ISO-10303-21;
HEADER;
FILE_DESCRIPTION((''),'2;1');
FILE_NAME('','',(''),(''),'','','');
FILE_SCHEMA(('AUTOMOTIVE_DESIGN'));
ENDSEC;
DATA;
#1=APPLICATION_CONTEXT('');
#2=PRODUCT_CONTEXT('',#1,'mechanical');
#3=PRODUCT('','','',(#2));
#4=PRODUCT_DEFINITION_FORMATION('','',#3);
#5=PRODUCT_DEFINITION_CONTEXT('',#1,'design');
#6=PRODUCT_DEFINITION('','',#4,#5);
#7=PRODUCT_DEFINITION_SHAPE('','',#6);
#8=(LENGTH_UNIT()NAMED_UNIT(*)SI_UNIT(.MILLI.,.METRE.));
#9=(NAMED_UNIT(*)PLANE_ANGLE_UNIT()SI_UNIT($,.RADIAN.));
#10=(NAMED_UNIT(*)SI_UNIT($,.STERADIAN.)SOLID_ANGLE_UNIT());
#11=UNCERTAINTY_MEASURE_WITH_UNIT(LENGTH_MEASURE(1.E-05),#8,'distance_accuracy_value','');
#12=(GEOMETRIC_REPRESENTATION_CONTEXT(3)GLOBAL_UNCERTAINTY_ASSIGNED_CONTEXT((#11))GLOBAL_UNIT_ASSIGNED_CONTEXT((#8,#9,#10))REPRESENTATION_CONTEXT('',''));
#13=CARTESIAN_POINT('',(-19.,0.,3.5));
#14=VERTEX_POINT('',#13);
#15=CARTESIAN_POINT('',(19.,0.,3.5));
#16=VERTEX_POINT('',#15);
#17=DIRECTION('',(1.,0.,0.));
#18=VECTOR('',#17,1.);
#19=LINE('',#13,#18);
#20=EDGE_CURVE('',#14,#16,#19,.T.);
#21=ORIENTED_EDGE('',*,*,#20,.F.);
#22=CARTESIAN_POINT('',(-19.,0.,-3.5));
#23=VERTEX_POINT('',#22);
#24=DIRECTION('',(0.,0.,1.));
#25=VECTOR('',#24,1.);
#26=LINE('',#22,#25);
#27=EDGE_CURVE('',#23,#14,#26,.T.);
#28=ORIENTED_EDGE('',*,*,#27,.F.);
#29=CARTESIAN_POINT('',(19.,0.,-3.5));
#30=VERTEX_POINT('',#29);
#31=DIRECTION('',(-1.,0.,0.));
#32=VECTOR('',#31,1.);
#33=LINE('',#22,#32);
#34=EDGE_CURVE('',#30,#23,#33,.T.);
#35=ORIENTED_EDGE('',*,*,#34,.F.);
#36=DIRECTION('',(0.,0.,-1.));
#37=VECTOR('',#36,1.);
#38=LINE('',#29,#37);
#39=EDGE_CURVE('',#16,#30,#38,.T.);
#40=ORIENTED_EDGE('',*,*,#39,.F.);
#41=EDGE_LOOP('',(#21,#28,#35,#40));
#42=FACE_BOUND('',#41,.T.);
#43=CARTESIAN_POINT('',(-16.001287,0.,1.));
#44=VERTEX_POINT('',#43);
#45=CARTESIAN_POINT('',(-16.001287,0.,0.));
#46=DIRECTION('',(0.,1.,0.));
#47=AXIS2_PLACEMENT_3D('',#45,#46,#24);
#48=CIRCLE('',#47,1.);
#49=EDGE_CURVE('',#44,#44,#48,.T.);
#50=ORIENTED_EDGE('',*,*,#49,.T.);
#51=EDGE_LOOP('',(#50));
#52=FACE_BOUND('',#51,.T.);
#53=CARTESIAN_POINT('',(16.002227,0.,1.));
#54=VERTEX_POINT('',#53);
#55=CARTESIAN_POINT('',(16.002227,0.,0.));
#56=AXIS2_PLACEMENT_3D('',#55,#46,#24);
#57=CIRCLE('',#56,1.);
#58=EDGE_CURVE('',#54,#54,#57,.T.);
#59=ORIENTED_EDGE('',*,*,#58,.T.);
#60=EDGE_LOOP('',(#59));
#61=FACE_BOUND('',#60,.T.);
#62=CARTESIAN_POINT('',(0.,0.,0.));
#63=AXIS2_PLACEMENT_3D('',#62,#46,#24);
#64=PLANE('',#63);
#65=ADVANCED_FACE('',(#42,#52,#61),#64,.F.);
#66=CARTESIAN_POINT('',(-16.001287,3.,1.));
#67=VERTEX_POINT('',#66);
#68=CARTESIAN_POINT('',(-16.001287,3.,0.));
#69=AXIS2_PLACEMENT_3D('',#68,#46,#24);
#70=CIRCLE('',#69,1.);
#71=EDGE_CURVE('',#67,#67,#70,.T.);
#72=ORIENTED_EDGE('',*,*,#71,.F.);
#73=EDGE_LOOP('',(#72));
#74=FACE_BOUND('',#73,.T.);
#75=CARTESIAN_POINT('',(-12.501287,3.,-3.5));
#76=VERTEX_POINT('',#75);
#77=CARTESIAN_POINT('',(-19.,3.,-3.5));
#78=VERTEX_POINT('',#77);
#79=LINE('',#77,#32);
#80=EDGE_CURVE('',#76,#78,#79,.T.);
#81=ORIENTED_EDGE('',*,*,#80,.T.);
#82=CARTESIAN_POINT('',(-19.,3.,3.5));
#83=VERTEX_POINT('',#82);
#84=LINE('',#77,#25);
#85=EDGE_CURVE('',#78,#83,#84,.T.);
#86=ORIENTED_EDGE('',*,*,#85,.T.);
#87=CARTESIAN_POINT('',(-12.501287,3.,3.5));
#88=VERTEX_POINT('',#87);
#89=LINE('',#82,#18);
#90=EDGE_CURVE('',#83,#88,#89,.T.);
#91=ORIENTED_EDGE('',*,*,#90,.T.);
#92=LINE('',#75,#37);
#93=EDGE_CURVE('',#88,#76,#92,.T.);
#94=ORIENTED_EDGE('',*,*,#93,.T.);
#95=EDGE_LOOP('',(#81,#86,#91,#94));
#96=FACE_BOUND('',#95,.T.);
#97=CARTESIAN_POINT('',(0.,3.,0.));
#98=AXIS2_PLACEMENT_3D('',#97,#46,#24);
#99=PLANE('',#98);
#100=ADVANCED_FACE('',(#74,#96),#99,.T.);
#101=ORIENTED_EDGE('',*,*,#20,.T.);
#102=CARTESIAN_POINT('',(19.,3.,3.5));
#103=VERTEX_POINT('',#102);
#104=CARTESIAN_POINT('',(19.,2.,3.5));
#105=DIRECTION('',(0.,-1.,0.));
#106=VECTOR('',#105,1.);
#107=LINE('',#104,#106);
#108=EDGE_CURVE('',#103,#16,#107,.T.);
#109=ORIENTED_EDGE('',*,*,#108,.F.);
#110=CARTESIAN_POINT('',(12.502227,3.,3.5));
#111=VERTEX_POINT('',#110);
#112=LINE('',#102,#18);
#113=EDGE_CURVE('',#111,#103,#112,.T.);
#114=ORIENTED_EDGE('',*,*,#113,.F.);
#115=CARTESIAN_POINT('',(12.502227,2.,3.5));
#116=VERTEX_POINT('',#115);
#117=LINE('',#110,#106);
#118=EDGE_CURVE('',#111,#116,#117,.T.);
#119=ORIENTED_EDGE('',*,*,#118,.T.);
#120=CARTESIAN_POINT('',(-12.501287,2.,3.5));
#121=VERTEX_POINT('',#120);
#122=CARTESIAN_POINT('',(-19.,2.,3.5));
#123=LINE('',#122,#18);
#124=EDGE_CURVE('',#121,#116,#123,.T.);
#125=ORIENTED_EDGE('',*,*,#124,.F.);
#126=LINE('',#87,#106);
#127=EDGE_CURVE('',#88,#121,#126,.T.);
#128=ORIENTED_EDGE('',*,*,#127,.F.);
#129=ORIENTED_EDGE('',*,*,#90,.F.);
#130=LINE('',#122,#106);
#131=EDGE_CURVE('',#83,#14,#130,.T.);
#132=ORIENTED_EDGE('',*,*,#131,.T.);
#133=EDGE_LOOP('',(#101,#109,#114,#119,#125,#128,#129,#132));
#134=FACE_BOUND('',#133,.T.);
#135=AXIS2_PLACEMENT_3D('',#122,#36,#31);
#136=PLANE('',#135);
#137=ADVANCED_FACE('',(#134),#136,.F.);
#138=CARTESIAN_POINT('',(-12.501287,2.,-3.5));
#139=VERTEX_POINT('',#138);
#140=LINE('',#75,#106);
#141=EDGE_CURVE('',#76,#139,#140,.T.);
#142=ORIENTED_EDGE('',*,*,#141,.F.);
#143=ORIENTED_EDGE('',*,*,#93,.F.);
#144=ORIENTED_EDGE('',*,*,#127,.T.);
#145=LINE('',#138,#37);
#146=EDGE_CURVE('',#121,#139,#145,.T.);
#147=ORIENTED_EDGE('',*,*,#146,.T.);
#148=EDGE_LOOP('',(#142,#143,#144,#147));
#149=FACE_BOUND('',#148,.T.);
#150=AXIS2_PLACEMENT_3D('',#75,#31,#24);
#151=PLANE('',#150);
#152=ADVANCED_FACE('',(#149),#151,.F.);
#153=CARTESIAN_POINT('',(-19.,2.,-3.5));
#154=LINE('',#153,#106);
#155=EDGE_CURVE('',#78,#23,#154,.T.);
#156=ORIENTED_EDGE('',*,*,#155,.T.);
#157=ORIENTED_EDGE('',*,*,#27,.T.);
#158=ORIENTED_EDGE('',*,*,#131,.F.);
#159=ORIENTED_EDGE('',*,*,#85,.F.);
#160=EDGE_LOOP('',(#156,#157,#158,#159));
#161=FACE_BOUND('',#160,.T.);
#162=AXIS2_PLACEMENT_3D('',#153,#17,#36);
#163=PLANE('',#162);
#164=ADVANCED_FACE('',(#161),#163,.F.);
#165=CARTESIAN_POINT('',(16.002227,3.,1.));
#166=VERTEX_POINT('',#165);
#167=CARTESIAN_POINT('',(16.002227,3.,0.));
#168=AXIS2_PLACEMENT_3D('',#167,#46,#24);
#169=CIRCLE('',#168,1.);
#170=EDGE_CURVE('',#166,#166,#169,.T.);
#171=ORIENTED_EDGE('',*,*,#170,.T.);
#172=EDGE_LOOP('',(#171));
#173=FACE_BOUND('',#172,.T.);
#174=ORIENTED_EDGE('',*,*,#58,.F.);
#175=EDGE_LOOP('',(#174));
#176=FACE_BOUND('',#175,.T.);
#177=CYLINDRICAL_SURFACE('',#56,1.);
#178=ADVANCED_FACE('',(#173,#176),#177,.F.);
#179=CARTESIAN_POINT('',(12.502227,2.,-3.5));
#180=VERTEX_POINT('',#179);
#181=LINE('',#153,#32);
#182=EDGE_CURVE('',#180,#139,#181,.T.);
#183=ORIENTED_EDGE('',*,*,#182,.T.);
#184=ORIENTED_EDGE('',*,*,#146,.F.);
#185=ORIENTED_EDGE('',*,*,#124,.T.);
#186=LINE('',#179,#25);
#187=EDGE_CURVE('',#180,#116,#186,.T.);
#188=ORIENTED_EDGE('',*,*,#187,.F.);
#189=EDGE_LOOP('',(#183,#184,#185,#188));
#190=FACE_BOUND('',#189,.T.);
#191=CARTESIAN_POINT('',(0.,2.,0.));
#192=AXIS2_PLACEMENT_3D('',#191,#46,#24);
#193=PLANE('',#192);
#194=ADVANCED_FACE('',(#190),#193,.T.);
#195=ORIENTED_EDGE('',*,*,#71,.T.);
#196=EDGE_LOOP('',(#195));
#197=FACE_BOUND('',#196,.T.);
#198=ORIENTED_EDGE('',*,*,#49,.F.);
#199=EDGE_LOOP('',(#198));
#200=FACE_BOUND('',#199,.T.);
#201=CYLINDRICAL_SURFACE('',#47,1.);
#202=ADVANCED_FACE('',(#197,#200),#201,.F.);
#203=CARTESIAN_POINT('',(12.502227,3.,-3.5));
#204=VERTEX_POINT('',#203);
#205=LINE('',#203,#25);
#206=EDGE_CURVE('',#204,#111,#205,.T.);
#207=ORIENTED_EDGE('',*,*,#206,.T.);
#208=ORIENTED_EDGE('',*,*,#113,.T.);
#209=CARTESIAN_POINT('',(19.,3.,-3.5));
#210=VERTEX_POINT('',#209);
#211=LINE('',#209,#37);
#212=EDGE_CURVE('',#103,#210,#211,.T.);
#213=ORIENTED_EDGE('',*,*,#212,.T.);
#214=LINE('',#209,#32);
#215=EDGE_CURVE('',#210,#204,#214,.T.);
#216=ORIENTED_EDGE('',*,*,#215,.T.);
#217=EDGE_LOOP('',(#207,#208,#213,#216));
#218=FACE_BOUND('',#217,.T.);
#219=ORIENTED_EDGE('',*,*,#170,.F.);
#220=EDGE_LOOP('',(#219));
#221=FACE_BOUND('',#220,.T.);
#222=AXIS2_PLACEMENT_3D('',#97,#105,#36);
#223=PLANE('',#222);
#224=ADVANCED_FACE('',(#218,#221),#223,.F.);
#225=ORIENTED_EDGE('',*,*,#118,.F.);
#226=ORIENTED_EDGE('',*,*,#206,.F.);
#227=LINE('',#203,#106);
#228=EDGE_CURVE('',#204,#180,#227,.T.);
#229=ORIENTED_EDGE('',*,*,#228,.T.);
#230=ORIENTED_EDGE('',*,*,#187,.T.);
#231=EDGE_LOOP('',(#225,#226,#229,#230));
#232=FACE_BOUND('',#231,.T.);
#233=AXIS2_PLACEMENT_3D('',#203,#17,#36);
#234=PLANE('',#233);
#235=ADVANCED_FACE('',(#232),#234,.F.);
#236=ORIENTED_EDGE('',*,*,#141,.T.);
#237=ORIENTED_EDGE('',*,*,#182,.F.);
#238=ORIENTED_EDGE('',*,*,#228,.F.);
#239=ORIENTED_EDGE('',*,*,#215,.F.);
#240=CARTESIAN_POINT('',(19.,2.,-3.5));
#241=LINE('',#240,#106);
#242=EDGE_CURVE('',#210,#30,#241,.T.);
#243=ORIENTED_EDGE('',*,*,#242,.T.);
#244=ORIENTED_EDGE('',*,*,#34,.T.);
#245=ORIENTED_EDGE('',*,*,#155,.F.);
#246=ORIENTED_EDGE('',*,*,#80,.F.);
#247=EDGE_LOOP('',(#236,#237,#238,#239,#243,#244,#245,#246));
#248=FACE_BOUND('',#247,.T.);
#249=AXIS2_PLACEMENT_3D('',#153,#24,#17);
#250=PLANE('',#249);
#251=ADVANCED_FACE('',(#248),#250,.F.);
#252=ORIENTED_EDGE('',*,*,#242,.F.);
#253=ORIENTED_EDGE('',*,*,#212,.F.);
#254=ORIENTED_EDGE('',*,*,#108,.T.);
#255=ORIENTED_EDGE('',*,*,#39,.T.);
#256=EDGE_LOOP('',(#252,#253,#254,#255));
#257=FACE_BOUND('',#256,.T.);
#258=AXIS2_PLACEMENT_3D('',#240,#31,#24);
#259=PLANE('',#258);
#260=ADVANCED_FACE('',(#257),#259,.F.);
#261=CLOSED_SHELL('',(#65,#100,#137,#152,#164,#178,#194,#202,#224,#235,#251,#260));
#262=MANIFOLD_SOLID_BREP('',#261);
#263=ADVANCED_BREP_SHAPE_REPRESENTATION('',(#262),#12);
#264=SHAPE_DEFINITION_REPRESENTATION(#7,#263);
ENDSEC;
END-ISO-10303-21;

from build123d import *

# Parameters (mm, degrees)
SKETCH1_W           = 38
SKETCH1_H           = 7
BOSS_EXTRUDE1_DEPTH = 2
SKETCH2_W           = 6.498713404
SKETCH2_H           = 7
SKETCH2_W_2         = 6.49777259
BOSS_EXTRUDE2_DEPTH = 1
SKETCH3_R           = 1
CUT_EXTRUDE1_DEPTH  = 3


with BuildPart() as part:
    # Sketch1 → Boss-Extrude1 (new body)
    with BuildSketch(Plane(origin=(0, 0, 0), x_dir=(1, 0, 0), z_dir=(0, 1, 0))):
        Rectangle(SKETCH1_W, SKETCH1_H)
    extrude(amount=BOSS_EXTRUDE1_DEPTH)

    # Sketch2 → Boss-Extrude2 (add)
    with BuildSketch(Plane(origin=(0, 2, 0), x_dir=(1, 0, 0), z_dir=(0, 1, 0))):
        with Locations((-15.750643298, 0)):
            Rectangle(SKETCH2_W, SKETCH2_H)
        with Locations((15.751113705, 0)):
            Rectangle(SKETCH2_W_2, SKETCH2_H)
    extrude(amount=BOSS_EXTRUDE2_DEPTH)

    # Sketch3 → Cut-Extrude1 (cut)
    with BuildSketch(Plane(origin=(0, 3, 0), x_dir=(1, 0, 0), z_dir=(0, 1, 0))):
        with Locations(Location((-16.001286596, 0, 0), (0, 0, 270))):
            Circle(SKETCH3_R)
        with Locations(Location((16.00222741, 0, 0), (0, 0, 270))):
            Circle(SKETCH3_R)
    extrude(amount=-CUT_EXTRUDE1_DEPTH, mode=Mode.SUBTRACT)


solid = part.part
